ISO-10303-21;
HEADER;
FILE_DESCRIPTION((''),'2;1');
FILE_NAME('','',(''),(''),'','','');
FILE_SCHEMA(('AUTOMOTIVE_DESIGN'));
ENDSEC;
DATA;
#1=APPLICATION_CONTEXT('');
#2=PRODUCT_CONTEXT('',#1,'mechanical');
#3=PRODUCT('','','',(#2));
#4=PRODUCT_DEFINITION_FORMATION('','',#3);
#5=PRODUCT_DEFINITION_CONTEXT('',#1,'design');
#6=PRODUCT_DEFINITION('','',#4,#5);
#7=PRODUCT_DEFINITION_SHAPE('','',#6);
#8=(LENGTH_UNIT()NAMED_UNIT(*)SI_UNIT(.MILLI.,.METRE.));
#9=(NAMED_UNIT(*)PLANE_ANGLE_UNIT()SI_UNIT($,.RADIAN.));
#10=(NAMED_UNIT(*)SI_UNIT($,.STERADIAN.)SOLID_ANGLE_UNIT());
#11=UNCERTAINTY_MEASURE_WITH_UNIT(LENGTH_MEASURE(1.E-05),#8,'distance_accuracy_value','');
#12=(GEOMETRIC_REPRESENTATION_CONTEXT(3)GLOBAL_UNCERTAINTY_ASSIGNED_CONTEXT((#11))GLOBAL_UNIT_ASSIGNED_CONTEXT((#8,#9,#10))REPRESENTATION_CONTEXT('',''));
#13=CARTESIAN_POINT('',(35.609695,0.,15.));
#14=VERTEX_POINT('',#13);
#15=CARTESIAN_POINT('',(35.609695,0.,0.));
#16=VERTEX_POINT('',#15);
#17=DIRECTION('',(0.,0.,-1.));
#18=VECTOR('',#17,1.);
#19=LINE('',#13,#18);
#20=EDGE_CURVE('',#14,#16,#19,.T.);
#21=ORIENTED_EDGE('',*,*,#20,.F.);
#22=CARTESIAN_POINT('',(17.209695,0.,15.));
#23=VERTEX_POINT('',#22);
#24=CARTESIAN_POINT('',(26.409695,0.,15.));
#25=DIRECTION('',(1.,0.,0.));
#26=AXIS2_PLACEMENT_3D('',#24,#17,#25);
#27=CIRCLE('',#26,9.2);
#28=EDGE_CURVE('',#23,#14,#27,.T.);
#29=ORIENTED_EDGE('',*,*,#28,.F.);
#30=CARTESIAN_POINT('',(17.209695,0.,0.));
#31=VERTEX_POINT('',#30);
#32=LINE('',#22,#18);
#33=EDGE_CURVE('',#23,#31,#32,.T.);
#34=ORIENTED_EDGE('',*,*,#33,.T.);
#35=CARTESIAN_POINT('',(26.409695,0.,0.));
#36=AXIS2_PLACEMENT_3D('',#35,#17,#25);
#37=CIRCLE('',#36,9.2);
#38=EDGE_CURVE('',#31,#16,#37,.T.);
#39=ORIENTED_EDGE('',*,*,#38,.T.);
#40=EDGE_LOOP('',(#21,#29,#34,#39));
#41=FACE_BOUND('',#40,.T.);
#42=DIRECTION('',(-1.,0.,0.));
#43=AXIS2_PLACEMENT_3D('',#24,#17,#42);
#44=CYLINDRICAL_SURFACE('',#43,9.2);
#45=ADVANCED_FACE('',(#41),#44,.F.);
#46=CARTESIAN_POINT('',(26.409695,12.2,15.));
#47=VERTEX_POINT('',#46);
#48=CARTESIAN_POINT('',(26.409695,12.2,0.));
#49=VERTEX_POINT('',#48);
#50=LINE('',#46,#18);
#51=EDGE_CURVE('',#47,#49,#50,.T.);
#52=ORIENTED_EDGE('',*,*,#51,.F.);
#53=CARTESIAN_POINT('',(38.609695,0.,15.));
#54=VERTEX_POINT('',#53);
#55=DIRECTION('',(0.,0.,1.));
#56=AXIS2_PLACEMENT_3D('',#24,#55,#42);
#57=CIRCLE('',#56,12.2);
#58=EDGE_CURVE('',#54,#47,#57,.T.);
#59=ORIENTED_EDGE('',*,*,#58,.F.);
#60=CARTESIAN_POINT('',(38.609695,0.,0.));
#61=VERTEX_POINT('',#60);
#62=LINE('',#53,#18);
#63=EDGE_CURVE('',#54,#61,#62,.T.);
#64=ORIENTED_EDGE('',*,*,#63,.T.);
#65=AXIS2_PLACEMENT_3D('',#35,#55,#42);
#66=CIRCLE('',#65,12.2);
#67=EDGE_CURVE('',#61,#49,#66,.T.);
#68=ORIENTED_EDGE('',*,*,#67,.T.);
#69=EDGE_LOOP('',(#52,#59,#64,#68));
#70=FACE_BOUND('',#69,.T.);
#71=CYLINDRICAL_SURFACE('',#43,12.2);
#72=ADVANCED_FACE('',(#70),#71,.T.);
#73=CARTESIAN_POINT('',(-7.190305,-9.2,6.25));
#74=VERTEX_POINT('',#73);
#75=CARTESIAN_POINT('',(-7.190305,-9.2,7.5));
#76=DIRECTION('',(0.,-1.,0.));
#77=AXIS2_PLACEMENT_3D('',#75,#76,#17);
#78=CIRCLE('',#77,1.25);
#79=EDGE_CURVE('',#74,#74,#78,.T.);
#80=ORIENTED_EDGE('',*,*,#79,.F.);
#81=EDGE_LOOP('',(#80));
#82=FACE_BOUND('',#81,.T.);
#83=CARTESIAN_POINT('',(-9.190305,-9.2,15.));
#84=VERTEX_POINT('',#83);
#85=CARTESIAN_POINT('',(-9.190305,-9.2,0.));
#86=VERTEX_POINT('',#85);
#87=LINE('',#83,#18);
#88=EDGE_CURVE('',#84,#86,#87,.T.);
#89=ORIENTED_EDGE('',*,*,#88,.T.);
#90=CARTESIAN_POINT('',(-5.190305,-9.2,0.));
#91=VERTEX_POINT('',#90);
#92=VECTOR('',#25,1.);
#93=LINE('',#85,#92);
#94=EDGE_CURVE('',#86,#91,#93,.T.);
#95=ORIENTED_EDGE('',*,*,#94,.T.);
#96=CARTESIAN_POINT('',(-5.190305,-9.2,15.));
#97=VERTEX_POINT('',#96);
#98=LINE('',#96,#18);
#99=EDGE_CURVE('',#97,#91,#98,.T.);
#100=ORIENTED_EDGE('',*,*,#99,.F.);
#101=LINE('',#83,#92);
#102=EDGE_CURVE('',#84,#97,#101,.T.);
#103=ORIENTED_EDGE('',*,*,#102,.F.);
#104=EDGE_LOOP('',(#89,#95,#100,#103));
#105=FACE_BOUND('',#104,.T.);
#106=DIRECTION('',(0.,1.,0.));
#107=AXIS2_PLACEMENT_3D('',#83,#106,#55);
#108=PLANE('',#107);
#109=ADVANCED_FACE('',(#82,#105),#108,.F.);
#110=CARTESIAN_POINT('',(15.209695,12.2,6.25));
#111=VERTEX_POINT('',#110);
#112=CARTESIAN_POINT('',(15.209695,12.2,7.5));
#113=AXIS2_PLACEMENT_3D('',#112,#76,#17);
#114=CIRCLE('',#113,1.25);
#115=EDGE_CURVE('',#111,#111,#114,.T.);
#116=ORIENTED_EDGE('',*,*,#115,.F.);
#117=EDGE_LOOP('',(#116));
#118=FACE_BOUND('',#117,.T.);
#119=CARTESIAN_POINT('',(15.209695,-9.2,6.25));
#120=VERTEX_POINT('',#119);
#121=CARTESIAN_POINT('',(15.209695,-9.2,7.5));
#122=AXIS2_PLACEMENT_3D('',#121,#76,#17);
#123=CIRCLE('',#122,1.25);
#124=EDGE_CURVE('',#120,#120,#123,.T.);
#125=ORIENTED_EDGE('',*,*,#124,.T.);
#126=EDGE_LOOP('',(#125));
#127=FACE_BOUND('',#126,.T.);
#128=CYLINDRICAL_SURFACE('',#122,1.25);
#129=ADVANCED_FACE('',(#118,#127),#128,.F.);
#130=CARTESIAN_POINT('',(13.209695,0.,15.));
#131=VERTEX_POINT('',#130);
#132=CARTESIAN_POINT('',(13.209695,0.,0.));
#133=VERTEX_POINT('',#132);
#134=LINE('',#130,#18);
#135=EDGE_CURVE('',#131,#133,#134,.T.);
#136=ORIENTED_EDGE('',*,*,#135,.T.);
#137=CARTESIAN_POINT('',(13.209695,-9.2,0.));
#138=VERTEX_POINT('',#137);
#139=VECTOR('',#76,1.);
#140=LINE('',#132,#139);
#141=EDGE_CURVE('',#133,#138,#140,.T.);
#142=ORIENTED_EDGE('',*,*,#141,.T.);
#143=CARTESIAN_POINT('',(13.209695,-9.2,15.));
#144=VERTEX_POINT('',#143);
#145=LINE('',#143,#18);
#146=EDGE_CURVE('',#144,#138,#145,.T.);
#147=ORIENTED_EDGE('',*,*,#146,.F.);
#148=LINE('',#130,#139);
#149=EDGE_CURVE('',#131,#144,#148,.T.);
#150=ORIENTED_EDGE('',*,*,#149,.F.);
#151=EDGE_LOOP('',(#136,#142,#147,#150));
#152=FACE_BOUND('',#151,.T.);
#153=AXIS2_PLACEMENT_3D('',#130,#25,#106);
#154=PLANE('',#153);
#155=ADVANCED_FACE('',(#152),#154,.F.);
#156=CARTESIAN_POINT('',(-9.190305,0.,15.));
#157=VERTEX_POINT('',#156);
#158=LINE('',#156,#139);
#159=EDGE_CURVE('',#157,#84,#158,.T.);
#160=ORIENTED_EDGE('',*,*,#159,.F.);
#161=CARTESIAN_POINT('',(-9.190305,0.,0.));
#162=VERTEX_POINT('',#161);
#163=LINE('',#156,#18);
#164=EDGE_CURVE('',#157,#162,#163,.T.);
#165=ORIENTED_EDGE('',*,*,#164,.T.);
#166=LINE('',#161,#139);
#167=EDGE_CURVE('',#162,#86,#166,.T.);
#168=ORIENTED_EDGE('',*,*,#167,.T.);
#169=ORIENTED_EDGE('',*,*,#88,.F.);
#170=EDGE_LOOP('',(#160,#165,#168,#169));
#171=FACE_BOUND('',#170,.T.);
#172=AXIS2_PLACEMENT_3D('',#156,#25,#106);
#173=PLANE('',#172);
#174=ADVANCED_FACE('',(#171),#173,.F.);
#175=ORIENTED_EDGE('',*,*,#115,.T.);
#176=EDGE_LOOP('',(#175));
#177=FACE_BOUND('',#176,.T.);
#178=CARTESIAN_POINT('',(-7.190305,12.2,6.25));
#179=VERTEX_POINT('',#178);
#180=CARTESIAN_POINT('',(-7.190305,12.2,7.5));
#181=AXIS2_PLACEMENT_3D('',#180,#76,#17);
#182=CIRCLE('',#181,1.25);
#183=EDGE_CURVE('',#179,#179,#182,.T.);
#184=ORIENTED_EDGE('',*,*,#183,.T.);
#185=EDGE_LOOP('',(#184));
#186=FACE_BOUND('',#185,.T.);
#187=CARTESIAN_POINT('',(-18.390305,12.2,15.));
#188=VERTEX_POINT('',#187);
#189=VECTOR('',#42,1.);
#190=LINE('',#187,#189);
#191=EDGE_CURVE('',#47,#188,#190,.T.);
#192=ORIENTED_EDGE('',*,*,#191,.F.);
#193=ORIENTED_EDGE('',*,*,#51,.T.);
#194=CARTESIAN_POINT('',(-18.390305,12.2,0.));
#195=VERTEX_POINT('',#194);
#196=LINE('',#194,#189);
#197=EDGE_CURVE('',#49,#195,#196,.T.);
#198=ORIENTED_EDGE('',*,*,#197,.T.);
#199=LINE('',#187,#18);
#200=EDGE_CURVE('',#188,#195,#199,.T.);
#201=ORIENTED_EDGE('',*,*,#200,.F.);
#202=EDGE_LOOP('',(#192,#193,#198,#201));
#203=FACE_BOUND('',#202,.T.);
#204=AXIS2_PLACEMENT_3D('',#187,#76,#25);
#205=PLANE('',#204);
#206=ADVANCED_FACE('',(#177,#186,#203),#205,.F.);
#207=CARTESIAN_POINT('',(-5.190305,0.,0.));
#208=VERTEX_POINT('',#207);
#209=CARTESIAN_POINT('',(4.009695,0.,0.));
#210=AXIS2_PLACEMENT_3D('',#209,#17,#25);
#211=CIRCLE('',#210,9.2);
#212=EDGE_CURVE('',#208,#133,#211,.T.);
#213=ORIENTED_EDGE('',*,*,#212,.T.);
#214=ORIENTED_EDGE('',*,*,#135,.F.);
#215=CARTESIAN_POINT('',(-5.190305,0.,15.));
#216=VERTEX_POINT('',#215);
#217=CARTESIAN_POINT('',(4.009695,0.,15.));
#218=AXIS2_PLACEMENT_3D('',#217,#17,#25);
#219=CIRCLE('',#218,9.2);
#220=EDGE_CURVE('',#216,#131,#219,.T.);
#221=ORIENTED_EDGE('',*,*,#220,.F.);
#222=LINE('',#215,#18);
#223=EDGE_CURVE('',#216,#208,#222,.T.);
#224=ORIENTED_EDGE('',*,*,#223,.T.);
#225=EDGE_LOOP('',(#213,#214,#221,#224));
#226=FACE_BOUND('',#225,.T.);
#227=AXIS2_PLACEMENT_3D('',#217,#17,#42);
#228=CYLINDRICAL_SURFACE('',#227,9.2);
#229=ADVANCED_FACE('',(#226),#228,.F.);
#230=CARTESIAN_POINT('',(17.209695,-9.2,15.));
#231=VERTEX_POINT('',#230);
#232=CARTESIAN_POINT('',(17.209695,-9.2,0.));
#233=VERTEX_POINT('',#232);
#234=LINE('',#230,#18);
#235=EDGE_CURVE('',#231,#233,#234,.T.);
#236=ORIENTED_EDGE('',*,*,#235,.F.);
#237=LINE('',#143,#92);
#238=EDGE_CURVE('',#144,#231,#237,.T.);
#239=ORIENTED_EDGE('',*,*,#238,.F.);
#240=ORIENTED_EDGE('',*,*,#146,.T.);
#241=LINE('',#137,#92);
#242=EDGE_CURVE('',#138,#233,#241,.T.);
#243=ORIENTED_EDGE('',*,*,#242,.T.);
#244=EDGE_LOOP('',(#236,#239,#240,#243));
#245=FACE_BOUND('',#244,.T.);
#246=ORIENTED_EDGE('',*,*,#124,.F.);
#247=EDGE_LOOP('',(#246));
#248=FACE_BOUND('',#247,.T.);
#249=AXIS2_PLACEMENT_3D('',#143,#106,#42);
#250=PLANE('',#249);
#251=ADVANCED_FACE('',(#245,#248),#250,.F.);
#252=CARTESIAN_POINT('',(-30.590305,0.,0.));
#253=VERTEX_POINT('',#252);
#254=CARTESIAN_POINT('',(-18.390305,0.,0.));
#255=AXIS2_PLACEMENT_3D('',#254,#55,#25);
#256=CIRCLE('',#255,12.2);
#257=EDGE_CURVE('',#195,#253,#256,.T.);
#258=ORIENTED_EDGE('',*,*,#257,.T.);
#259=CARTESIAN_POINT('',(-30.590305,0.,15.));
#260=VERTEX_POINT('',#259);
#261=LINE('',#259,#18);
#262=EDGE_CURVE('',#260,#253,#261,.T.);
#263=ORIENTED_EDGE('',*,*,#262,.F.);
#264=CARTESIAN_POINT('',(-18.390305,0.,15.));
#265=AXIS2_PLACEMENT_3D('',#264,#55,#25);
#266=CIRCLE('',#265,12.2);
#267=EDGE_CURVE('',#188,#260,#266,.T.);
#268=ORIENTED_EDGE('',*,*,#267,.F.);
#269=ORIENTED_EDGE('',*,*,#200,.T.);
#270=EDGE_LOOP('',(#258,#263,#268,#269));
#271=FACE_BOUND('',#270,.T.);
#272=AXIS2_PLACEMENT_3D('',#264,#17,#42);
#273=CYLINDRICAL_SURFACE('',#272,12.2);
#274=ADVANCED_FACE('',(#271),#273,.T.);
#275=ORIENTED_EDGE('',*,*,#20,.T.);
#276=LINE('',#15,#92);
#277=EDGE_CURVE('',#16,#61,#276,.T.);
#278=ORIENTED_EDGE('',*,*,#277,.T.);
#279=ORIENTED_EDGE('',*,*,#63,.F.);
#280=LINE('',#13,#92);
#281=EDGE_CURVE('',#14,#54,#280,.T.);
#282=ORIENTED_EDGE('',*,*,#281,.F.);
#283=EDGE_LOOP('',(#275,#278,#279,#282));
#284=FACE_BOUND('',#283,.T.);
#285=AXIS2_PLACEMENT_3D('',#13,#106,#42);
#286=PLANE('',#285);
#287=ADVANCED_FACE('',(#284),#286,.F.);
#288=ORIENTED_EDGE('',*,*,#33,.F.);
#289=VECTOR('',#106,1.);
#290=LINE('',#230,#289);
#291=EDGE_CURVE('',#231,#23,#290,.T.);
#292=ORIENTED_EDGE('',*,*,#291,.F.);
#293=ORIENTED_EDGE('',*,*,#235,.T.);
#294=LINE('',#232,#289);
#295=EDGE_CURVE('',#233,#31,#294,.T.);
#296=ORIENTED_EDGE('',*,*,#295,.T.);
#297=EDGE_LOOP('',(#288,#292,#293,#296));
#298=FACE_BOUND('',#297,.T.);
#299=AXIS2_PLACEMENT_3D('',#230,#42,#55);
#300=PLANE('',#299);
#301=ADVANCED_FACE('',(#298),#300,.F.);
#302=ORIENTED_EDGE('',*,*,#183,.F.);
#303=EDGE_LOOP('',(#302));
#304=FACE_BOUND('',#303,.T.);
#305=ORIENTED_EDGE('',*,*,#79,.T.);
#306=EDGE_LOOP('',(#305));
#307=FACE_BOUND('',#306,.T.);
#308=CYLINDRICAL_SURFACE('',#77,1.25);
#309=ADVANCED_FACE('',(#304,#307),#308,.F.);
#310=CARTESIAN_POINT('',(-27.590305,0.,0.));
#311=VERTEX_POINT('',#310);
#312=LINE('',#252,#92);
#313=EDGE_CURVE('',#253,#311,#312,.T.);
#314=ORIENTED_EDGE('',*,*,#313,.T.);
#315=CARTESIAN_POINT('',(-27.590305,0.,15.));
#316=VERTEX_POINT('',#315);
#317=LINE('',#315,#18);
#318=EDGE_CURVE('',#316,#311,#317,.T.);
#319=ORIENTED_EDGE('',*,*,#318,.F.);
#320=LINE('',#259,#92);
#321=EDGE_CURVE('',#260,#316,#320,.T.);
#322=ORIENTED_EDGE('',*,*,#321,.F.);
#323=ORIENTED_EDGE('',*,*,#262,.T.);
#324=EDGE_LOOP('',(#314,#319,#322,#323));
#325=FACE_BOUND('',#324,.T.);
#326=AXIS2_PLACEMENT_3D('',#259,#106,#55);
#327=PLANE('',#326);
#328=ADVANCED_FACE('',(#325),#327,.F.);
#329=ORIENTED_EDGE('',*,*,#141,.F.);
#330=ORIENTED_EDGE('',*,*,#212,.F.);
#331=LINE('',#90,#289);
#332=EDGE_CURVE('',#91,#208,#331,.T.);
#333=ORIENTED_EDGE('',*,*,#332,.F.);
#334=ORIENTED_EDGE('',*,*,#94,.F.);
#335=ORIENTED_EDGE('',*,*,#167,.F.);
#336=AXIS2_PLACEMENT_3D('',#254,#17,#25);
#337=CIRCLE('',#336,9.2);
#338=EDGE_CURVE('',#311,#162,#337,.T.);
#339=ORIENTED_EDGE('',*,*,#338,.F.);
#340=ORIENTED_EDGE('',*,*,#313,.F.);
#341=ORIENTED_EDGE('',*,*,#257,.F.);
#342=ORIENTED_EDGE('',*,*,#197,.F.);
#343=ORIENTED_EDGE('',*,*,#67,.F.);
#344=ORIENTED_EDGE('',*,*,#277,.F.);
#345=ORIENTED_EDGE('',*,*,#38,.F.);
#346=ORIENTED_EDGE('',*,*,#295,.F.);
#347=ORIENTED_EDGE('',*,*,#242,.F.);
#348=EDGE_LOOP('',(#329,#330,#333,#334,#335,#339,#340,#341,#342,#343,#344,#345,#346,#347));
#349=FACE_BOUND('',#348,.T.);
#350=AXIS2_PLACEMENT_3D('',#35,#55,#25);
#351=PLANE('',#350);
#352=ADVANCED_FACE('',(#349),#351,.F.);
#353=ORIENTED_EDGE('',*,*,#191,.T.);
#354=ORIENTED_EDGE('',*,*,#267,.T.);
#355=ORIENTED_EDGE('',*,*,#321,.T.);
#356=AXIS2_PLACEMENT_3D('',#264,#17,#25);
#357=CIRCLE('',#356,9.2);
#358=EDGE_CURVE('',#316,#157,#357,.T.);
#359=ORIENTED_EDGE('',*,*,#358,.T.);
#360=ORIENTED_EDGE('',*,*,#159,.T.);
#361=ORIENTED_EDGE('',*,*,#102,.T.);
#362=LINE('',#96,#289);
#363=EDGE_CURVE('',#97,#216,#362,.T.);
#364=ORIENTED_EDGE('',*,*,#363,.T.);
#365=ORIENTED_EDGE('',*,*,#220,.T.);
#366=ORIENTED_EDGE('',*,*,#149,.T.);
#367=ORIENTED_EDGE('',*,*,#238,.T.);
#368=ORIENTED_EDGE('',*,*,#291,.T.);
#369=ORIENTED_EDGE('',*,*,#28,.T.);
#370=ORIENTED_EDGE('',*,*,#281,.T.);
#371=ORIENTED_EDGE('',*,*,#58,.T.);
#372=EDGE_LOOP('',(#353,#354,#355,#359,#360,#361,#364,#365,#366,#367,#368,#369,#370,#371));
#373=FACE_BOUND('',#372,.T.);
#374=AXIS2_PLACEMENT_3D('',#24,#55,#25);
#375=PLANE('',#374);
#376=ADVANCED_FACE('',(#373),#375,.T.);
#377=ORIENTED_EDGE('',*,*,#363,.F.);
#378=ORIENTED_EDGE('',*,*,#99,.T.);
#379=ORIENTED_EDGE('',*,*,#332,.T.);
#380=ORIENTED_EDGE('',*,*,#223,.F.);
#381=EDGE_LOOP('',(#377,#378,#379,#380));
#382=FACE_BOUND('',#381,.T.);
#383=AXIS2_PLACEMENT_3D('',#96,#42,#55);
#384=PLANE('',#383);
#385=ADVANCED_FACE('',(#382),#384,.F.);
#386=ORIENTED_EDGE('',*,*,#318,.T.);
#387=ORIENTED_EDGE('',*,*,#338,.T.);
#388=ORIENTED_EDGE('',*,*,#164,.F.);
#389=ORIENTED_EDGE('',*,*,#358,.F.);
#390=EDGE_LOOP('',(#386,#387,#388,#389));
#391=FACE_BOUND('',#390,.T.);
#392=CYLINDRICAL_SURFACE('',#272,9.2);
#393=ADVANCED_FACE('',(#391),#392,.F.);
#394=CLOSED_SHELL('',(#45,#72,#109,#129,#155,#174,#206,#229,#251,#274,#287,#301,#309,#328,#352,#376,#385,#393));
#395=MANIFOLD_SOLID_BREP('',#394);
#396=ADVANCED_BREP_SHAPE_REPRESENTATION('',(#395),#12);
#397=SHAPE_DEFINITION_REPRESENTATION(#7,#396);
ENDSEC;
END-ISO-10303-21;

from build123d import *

# Parameters (mm, degrees)
BOSS_EXTRUDE1_DEPTH         = 15
TAP_DRILL_FOR_M3X0_5_TAP1_D = 2.5


with BuildPart() as part:
    # Sketch1 → Boss-Extrude1 (new body)
    with BuildSketch(Plane.XY):
        with BuildLine():
            Line((-30.590304709, 0), (-27.590304709, 0))
            ThreePointArc((-27.590304709, 0), (-18.390304709, 9.2), (-9.190304709, 0))
            Line((-9.190304709, 0), (-9.190304709, -9.2))
            Line((-9.190304709, -9.2), (-5.190304709, -9.2))
            Line((-5.190304709, -9.2), (-5.190304709, 0))
            ThreePointArc((-5.190304709, 0), (4.009695291, 9.2), (13.209695291, 0))
            Line((13.209695291, 0), (13.209695291, -9.2))
            Line((13.209695291, -9.2), (17.209695291, -9.2))
            Line((17.209695291, -9.2), (17.209695291, 0))
            ThreePointArc((17.209695291, 0), (26.409695291, 9.2), (35.609695291, 0))
            Line((35.609695291, 0), (38.609695291, 0))
            ThreePointArc((38.609695291, 0), (35.036398021, 8.62670273), (26.409695291, 12.2))
            Line((26.409695291, 12.2), (-18.390304709, 12.2))
            ThreePointArc((-18.390304709, 12.2), (-27.01700744, 8.62670273), (-30.590304709, 0))
        make_face()
    extrude(amount=BOSS_EXTRUDE1_DEPTH)

    # Tap Drill for M3x0.5 Tap1 (through all)
    with Locations(Plane(origin=(0, -9.2, 0), x_dir=(-1, 0, 0), z_dir=(0, -1, 0))):
        with Locations((7.190304709, -7.5), (-15.209695291, -7.5)):
            Hole(TAP_DRILL_FOR_M3X0_5_TAP1_D / 2)


solid = part.part
